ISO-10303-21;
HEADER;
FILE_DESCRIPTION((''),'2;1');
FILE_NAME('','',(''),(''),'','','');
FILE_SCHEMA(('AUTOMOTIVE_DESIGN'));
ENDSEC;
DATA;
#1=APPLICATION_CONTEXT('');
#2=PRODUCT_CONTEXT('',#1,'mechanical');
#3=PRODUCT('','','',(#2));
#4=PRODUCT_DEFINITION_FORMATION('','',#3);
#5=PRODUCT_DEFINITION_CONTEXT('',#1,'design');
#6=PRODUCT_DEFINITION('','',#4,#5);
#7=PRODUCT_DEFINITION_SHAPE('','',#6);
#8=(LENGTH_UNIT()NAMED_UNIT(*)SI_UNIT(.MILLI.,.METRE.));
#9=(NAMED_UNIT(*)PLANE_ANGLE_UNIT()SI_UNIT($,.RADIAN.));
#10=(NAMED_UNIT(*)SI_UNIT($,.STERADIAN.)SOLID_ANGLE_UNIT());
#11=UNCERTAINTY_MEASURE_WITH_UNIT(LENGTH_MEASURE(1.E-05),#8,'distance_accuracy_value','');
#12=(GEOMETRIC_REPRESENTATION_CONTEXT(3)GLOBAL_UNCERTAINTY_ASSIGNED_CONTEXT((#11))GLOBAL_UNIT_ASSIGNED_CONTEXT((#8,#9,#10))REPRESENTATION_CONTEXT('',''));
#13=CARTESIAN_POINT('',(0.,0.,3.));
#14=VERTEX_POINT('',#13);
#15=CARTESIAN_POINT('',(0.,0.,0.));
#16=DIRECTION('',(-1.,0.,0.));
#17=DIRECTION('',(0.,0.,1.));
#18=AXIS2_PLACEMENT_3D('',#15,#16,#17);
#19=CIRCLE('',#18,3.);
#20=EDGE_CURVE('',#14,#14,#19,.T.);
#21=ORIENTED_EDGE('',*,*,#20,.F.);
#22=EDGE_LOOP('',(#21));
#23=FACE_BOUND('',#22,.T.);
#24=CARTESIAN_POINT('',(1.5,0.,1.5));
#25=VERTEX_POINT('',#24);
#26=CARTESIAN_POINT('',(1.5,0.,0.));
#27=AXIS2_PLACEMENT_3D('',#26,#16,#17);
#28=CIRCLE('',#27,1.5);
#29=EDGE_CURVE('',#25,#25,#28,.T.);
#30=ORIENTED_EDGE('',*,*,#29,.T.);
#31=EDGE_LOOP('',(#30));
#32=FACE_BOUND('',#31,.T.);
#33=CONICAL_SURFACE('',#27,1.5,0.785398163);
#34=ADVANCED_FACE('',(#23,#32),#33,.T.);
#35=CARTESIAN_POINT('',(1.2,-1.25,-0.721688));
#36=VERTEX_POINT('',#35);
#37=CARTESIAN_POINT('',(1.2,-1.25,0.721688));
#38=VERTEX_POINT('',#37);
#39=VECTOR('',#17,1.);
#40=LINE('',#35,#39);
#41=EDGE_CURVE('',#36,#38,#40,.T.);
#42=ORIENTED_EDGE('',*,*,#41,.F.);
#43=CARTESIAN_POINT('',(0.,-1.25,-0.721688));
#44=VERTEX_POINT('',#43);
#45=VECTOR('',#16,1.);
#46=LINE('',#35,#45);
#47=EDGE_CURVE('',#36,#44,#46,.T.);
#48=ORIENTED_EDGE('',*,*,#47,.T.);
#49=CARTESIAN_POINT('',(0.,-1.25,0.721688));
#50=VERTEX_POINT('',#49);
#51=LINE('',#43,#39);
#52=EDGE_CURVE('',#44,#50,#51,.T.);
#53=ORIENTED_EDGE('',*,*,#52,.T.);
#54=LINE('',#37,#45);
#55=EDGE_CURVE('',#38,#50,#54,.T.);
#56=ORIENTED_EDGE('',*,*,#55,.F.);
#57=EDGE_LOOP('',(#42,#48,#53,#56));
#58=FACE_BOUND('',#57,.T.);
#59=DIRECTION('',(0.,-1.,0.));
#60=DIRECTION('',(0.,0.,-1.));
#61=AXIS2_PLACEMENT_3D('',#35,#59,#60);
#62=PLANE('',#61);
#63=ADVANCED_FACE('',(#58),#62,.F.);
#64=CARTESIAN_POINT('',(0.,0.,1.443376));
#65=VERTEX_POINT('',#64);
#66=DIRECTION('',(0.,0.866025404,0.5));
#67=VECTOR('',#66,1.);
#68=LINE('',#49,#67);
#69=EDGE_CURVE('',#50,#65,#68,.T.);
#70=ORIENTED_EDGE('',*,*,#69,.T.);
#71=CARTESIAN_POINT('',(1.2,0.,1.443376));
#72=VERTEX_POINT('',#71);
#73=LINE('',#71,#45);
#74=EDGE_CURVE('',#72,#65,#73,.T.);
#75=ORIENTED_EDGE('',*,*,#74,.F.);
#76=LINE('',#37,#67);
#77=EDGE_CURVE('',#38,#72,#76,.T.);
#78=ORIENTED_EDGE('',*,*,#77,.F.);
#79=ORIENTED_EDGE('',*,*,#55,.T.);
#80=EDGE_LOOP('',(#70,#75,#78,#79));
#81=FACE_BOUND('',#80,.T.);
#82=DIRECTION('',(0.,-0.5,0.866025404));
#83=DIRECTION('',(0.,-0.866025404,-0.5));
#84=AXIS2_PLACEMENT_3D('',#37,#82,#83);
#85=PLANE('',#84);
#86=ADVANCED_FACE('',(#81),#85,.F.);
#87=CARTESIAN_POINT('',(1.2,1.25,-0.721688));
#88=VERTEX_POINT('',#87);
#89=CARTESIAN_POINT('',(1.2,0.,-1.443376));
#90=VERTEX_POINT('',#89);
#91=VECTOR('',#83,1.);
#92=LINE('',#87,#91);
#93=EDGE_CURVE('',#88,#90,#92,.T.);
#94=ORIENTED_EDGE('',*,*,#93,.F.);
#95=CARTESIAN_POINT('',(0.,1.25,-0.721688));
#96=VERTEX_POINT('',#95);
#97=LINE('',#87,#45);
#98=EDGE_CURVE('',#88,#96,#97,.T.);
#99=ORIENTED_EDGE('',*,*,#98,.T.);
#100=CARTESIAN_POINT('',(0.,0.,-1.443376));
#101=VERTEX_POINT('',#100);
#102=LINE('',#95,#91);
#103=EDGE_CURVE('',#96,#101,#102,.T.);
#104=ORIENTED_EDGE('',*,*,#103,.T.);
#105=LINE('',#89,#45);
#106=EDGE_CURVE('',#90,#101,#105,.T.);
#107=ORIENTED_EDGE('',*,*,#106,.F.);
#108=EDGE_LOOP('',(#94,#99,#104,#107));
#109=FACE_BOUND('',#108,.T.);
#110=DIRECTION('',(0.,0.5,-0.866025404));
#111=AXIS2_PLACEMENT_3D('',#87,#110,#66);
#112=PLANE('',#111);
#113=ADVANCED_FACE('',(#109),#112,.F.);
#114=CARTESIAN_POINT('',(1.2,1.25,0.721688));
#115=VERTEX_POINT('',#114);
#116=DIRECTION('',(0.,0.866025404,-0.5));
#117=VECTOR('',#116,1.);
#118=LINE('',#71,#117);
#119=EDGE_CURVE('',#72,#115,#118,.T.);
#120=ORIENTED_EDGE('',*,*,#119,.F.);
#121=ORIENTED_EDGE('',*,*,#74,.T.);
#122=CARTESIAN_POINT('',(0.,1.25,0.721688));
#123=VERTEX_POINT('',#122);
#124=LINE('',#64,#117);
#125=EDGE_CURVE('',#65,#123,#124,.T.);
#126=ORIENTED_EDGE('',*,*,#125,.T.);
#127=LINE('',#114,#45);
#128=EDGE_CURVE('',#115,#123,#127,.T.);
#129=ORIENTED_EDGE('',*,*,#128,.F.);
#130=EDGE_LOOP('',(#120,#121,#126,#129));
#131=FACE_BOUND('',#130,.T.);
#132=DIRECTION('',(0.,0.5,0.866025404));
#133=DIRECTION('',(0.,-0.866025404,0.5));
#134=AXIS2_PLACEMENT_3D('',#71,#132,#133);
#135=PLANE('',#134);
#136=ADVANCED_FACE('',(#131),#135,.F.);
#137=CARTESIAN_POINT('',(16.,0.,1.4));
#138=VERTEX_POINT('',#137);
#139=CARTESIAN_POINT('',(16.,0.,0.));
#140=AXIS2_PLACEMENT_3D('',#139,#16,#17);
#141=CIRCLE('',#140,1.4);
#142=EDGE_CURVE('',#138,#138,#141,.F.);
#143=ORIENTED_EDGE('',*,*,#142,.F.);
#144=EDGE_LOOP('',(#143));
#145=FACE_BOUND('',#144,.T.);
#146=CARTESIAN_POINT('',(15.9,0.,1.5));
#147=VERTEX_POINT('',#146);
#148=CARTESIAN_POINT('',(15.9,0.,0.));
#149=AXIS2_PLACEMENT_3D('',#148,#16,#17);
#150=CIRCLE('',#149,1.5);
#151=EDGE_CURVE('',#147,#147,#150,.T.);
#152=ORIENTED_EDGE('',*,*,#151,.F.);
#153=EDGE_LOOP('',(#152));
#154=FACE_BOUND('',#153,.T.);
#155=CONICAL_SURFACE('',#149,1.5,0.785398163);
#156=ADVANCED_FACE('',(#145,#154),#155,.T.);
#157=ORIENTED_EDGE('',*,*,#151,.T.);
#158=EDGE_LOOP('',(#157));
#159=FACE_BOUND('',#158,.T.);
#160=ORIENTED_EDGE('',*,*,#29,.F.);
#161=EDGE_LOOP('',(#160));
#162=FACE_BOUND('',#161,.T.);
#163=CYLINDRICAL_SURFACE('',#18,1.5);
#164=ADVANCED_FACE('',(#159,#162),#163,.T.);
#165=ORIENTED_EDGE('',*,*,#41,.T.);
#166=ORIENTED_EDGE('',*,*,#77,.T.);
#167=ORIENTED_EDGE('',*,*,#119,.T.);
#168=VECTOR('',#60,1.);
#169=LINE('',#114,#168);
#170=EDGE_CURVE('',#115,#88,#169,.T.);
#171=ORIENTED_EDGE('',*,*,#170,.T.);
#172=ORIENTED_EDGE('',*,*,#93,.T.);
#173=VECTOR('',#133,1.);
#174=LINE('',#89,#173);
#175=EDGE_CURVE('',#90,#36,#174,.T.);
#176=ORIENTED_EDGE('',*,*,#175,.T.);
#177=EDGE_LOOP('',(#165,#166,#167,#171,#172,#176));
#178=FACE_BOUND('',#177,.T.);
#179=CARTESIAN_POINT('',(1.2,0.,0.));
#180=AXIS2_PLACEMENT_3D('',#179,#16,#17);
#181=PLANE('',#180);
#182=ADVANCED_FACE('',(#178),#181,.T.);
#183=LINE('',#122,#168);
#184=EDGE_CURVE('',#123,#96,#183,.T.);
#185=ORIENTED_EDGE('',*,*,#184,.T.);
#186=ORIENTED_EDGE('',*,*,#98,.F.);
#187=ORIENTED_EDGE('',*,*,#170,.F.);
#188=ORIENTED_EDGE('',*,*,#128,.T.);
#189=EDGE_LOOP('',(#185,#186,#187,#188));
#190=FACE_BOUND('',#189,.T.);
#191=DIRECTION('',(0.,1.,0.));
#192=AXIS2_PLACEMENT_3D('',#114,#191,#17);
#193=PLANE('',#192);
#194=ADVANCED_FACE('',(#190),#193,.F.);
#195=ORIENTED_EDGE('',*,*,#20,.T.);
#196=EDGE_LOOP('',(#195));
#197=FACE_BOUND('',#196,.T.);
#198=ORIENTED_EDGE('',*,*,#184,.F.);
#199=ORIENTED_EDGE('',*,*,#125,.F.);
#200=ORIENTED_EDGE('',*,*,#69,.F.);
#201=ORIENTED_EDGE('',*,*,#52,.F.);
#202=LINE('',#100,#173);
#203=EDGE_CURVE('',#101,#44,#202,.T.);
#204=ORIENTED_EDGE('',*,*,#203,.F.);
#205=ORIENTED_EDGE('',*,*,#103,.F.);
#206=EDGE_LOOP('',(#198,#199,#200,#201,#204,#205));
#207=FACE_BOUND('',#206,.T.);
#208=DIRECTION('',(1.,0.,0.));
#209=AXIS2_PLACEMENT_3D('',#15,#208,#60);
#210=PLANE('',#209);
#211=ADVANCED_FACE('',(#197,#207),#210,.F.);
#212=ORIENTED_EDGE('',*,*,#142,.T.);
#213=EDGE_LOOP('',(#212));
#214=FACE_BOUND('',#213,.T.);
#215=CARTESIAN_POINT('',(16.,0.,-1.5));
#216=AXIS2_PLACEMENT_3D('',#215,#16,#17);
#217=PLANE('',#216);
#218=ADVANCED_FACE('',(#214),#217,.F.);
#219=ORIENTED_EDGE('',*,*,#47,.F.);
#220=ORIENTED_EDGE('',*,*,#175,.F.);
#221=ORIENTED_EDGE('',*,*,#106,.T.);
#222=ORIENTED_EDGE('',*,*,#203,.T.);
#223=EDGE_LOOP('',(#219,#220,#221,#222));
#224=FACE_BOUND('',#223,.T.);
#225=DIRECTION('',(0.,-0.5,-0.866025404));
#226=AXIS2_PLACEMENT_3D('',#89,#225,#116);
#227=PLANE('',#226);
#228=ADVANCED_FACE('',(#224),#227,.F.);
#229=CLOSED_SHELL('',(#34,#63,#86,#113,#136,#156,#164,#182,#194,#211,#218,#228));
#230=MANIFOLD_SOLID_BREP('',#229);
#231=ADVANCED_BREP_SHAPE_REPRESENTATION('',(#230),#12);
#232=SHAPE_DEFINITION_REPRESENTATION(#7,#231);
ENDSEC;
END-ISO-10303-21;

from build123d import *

# Parameters (mm, degrees)
CUT_EXTRUDE_541_DEPTH = 1.2
CHAMFER_598_SIZE      = 0.1


with BuildPart() as part:
    # 草图1 → Revolve 358 (revolve)
    with BuildSketch(Plane(origin=(0, 0, 0), x_dir=(1, 0, 0), z_dir=(0, 1, 0)), mode=Mode.PRIVATE) as revolve_358_sk:
        Polygon((0, 0), (0, 3), (1.5, 1.5), (16, 1.5), (16, 0), align=None)
    revolve(revolve_358_sk.sketch.rotate(Axis((0, 0, 0), (1, 0, 0)), 180), axis=Axis((0, 0, 0), (1, 0, 0)))

    # 草图2 → Cut-Extrude 541 (cut)
    with BuildSketch(Plane.ZY):
        Polygon((1.443375673, 0), (0.721687836, 1.25), (-0.721687836, 1.25), (-1.443375673, 0), (-0.721687836, -1.25), (0.721687836, -1.25), align=None)
    extrude(amount=-CUT_EXTRUDE_541_DEPTH, mode=Mode.SUBTRACT)

    # Chamfer 598
    chamfer_598_edges = [part.edges().sort_by_distance(p)[0] for p in [
        (16, 0, -1.5),
    ]]
    chamfer(chamfer_598_edges, length=CHAMFER_598_SIZE)


solid = part.part
